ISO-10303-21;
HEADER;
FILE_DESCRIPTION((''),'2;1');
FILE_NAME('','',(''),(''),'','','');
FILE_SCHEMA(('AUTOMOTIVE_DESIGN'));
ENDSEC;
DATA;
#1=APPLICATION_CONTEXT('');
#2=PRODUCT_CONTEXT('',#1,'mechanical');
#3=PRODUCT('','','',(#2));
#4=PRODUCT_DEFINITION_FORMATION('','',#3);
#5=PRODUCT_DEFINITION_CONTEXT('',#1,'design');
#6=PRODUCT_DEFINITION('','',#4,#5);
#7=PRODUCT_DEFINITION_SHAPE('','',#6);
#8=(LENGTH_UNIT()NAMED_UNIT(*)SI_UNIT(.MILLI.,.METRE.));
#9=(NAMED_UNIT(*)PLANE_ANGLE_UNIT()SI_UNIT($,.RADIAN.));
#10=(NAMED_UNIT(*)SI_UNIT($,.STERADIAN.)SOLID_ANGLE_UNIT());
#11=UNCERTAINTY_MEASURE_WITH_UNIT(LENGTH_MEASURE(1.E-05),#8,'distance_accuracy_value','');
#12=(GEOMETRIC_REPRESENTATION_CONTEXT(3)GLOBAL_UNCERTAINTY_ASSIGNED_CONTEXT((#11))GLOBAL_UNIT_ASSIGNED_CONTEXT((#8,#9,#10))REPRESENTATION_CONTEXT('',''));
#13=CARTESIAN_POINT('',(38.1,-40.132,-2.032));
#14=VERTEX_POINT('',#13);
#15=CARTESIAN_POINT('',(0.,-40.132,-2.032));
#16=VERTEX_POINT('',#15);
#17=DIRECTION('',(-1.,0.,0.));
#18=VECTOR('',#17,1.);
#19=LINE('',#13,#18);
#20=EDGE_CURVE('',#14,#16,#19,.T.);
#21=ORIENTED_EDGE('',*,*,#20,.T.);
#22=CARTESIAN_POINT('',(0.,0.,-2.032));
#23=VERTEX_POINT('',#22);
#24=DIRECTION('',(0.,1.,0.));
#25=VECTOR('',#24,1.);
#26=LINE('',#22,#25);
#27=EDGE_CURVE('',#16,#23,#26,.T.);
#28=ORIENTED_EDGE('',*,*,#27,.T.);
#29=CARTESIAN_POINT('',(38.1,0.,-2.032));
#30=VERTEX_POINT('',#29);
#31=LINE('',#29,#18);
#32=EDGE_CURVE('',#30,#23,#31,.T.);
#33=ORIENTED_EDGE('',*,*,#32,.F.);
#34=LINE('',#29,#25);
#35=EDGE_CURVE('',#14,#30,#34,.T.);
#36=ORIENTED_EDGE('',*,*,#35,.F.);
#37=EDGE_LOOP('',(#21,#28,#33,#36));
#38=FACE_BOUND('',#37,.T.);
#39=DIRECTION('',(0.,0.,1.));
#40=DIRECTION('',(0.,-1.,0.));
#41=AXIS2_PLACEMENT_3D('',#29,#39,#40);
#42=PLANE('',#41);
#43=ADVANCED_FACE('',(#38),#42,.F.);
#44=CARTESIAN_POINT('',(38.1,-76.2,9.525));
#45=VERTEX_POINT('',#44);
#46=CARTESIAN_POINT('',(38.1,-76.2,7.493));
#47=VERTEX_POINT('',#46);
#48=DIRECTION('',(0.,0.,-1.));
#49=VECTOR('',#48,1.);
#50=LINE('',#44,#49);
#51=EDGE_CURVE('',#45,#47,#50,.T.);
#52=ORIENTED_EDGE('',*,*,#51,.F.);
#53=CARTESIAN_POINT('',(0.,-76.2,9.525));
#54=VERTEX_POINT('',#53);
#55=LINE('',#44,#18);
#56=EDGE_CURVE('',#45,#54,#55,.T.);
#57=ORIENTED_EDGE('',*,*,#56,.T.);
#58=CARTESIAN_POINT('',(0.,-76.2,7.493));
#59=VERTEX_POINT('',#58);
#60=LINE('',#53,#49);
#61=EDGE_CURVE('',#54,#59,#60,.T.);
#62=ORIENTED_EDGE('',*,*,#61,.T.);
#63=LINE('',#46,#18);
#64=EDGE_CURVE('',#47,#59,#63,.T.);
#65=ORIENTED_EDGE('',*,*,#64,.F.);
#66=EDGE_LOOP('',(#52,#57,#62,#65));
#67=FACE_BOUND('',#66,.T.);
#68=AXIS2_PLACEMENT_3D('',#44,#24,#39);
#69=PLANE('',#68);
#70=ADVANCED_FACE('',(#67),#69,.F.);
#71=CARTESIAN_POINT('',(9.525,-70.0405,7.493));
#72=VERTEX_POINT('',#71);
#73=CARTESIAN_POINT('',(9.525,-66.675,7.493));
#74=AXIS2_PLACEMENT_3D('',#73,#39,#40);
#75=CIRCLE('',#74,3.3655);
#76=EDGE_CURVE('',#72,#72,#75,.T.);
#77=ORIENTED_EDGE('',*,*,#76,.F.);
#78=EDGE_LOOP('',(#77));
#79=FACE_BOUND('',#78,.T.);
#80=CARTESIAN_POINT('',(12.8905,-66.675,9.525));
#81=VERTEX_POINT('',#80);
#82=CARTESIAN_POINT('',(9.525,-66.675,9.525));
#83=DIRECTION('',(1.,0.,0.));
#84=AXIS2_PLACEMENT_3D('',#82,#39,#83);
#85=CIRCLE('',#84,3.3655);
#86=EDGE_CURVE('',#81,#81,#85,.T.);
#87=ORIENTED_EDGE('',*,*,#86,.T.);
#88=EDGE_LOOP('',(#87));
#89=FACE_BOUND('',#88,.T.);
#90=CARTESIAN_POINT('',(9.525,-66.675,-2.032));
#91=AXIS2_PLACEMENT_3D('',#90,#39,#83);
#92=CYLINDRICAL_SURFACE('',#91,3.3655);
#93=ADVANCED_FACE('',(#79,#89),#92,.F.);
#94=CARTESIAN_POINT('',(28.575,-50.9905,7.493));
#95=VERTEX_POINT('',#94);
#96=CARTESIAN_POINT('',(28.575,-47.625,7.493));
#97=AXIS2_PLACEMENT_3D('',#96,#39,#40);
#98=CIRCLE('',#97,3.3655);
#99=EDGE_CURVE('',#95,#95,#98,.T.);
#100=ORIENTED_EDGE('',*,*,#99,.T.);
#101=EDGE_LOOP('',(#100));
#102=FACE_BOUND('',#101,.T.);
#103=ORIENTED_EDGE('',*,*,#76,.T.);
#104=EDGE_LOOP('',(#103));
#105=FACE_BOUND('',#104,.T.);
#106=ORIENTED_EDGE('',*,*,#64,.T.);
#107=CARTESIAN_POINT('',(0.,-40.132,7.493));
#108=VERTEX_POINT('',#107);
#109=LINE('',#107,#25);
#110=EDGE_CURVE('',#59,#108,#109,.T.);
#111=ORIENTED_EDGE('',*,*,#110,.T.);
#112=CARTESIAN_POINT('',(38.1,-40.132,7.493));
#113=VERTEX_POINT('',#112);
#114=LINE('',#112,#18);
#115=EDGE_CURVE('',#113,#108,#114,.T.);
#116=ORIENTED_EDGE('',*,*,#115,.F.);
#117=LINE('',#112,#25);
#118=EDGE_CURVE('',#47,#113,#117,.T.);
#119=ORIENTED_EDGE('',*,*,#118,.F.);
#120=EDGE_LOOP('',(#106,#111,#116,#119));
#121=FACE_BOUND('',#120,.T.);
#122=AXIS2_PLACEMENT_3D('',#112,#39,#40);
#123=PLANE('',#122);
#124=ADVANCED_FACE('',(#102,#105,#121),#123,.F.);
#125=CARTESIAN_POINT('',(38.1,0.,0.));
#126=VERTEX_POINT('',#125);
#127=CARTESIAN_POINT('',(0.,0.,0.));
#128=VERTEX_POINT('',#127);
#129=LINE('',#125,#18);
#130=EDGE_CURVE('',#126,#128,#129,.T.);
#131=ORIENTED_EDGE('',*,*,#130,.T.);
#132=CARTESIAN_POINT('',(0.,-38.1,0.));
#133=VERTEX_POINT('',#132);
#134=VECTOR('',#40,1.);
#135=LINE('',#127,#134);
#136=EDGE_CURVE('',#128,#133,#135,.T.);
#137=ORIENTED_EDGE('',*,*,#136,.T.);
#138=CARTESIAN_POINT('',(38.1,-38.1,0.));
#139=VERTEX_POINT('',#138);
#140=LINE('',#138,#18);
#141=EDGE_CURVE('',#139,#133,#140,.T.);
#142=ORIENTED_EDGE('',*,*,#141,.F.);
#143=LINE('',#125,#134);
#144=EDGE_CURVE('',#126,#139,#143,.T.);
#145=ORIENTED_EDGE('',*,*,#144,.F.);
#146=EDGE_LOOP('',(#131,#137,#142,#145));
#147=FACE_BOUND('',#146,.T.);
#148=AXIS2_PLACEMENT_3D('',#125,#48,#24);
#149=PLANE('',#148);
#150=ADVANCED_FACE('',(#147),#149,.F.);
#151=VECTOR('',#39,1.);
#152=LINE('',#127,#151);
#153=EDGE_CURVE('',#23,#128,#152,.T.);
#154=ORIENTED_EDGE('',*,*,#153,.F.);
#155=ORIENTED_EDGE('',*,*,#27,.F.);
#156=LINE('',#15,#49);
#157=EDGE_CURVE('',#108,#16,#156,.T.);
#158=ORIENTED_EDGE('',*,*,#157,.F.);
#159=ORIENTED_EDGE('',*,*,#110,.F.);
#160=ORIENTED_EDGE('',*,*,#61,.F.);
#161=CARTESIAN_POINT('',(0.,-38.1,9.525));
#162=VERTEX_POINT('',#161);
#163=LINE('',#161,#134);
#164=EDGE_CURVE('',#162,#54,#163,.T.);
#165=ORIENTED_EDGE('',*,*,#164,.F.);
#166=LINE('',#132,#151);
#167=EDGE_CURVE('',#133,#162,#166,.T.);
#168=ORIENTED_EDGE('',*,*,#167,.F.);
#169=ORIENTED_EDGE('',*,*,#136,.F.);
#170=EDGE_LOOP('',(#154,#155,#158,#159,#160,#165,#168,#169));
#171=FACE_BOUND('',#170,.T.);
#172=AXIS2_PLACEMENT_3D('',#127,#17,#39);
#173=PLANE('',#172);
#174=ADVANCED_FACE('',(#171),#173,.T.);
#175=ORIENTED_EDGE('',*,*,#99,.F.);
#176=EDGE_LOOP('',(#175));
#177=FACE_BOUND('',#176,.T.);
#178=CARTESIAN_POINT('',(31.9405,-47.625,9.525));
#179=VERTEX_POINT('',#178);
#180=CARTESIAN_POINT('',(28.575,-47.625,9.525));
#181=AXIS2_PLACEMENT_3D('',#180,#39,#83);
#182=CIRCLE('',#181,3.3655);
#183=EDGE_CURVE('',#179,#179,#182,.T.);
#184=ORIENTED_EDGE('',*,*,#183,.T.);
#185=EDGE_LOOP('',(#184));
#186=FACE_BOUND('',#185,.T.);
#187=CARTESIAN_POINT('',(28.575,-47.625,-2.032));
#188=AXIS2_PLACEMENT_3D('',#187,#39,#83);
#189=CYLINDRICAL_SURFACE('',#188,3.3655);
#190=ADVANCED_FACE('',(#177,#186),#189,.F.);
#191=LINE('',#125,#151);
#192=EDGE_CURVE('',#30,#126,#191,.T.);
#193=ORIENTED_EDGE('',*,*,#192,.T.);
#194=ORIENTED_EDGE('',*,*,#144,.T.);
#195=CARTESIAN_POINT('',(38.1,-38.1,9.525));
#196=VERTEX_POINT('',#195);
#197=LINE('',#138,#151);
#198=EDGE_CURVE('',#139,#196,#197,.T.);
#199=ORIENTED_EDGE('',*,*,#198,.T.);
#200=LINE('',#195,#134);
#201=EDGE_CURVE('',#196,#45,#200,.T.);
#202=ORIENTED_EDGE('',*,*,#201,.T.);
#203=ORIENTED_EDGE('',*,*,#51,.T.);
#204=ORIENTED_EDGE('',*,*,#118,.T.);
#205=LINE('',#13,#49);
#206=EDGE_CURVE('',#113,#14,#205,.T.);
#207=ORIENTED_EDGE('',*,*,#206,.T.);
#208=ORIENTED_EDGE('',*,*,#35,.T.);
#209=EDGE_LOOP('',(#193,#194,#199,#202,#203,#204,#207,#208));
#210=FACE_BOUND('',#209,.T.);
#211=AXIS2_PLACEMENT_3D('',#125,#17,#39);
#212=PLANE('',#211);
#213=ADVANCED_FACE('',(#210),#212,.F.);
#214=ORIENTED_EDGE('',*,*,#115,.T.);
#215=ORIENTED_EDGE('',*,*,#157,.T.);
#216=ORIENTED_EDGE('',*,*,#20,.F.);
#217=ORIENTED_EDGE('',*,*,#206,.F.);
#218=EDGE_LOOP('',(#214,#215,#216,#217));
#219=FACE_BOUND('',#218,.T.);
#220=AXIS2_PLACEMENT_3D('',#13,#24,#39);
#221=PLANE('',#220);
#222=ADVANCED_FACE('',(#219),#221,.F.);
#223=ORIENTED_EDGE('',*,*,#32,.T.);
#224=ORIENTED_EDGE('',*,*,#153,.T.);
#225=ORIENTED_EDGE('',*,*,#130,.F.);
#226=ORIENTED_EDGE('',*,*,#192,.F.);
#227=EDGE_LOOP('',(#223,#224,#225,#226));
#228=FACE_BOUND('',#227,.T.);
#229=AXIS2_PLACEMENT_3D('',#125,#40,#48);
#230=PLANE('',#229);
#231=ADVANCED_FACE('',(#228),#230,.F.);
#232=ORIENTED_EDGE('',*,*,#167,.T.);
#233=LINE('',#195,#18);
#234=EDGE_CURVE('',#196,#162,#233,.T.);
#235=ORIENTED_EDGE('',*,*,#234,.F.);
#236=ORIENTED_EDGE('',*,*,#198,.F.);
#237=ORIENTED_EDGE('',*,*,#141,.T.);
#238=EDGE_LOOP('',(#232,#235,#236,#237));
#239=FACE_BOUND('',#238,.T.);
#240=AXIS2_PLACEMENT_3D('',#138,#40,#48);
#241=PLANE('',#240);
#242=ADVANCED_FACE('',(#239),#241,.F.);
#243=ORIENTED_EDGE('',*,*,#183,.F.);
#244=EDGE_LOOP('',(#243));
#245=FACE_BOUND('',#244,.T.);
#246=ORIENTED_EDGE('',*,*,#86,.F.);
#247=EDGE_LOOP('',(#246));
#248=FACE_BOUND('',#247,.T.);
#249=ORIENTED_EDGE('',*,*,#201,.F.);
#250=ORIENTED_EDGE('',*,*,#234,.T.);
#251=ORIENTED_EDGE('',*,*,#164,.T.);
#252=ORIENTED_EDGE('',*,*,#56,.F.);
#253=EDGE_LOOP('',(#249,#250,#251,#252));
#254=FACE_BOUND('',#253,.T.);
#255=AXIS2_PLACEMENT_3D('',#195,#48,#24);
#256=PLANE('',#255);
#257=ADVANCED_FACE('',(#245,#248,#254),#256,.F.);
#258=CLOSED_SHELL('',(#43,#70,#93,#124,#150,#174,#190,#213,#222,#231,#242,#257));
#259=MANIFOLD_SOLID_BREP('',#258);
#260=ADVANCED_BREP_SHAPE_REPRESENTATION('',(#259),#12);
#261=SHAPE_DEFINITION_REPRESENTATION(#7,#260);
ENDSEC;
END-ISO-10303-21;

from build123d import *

# Parameters (mm, degrees)
BOSS_EXTRUDE1_DEPTH = 38.1
SKETCH2_R           = 3.3655
CUT_EXTRUDE1_DEPTH  = 12.557


with BuildPart() as part:
    # Sketch1 → Boss-Extrude1 (new body)
    with BuildSketch(Plane(origin=(0, 0, 0), x_dir=(0, 0, -1), z_dir=(1, 0, 0))):
        Polygon((0, 0), (0, -38.1), (-9.525, -38.1), (-9.525, -76.2), (-7.493, -76.2), (-7.493, -40.132), (2.032, -40.132), (2.032, 0), align=None)
    extrude(amount=BOSS_EXTRUDE1_DEPTH)

    # Sketch2 → Cut-Extrude1 (cut, through all)
    with BuildSketch(Plane.XY.offset(9.525)):
        with Locations((9.525, -66.675)):
            Circle(SKETCH2_R)
        with Locations((28.575, -47.625)):
            Circle(SKETCH2_R)
    extrude(amount=-CUT_EXTRUDE1_DEPTH, mode=Mode.SUBTRACT)


solid = part.part
